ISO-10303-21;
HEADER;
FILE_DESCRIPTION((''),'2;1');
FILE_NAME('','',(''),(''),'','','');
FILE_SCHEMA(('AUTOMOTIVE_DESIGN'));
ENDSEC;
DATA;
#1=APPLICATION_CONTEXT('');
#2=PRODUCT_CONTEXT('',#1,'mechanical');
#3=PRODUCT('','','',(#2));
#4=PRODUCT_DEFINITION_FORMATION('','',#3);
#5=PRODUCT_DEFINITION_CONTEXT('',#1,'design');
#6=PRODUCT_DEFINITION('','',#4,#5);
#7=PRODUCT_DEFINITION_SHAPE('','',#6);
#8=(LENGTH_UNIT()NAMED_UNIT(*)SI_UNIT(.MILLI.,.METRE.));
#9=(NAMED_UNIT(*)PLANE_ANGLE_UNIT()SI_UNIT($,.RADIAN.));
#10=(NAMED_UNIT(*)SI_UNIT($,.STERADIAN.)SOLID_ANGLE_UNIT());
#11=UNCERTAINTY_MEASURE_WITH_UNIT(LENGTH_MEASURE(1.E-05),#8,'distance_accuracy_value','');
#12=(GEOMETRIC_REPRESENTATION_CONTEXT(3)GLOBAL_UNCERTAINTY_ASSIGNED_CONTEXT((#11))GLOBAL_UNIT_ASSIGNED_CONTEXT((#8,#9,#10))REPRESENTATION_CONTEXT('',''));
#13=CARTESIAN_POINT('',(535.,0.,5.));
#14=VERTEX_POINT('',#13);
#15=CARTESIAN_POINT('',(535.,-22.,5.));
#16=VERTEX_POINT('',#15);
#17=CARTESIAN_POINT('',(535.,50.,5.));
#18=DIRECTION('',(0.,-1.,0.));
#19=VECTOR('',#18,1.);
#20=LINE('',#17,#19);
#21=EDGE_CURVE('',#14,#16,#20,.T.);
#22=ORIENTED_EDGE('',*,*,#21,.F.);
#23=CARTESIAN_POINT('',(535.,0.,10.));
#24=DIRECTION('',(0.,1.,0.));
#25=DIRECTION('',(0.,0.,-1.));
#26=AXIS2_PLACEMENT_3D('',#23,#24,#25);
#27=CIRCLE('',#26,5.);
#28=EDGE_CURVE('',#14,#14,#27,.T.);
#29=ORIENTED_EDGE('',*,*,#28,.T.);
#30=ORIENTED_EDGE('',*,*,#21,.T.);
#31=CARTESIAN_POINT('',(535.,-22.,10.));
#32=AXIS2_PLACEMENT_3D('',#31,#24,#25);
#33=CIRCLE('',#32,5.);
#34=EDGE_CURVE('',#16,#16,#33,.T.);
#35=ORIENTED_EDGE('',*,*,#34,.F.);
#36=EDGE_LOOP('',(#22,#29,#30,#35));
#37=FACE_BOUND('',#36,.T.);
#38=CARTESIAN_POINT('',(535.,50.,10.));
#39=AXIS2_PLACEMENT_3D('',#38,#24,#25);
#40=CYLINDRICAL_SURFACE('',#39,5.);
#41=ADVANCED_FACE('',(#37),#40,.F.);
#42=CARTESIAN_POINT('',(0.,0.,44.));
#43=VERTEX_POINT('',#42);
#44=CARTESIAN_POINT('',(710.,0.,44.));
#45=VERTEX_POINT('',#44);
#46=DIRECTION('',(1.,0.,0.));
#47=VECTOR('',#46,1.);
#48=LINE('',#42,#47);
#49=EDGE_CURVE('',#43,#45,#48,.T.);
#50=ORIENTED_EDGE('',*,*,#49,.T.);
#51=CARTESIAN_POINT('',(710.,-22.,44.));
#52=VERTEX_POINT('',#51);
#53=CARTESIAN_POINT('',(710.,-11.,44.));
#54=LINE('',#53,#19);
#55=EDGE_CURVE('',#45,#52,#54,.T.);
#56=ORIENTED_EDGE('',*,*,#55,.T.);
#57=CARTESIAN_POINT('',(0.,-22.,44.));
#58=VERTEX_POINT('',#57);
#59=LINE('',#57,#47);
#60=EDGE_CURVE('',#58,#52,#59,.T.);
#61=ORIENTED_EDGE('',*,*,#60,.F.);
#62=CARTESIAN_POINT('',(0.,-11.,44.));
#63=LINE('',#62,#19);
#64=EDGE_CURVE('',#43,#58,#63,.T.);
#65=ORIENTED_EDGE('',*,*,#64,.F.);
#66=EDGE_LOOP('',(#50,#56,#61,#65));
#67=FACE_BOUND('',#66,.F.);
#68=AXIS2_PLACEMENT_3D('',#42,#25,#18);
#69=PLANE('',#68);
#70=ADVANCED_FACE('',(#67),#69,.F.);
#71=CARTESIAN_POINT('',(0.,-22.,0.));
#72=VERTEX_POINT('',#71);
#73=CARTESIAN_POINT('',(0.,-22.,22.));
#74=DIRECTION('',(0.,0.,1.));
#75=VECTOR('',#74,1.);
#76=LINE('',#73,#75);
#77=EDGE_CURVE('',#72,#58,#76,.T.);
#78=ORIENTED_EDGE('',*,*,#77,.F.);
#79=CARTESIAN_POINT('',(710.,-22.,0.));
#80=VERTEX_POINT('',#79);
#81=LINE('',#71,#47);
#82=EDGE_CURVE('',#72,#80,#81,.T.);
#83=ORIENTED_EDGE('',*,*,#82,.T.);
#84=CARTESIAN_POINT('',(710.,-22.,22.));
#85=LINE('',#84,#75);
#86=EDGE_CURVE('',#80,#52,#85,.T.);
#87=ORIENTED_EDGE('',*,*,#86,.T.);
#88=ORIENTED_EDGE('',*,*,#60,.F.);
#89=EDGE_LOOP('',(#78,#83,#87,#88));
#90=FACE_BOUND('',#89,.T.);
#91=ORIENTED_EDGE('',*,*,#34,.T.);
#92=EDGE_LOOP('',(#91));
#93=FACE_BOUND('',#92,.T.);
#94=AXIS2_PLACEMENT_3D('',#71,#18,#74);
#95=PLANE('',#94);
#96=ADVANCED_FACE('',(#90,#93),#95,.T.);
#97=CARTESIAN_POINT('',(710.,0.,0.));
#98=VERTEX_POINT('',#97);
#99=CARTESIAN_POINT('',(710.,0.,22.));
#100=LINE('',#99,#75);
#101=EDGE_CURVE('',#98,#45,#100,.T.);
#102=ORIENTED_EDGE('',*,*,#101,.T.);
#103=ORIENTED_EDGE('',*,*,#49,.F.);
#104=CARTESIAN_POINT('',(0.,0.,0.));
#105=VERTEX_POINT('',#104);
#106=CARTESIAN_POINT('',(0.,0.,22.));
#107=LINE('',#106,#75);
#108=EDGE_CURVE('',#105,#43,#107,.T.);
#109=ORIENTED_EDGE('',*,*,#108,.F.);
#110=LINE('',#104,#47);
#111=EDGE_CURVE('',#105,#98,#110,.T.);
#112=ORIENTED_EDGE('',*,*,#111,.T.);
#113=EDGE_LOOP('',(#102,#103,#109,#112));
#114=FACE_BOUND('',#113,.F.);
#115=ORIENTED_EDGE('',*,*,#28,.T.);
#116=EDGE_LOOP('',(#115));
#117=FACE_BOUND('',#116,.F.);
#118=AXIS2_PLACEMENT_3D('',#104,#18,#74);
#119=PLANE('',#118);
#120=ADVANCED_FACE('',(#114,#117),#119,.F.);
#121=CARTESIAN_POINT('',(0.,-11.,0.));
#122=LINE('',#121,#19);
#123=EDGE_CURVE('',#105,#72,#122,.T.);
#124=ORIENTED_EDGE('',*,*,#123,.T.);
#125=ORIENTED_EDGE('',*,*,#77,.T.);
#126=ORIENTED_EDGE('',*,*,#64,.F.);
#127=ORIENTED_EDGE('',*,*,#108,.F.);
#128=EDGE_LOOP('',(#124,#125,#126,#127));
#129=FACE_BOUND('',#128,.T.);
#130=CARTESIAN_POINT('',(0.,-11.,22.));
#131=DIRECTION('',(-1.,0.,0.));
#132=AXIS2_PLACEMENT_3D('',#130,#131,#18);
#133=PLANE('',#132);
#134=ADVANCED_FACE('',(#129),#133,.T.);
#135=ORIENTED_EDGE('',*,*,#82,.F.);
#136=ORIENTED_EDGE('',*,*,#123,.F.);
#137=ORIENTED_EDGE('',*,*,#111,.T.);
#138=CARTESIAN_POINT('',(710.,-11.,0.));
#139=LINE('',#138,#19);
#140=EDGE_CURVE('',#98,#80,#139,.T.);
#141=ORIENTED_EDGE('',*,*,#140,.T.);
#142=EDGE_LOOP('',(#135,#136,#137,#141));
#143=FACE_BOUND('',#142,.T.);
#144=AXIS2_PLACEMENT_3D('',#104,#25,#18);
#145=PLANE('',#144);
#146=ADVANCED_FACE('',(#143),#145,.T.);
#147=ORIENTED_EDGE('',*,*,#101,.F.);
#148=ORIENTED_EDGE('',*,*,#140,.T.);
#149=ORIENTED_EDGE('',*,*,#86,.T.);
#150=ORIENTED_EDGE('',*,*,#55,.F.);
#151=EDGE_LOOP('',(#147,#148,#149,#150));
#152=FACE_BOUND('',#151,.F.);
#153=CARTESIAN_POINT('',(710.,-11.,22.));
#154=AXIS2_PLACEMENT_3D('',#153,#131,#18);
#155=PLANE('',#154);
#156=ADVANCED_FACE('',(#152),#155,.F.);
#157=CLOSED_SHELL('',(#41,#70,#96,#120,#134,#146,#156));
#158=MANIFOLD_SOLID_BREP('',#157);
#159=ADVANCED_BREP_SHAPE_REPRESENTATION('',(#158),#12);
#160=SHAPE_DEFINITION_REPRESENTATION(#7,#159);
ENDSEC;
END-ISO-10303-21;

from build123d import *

# Parameters (mm, degrees)
CYLINDER_R           = 5
CYLINDER_DEPTH       = 100
CYLINDER_PITCH_ANGLE = 90
SKETCH_W             = 22
SKETCH_H             = 44
PAD_DEPTH            = 710
CUT_PLACEMENT_ANGLE  = -90


with BuildPart() as cylinder:
    # Cylinder → Cylinder (new body)
    with BuildSketch(Plane.XY):
        Circle(CYLINDER_R)
    extrude(amount=CYLINDER_DEPTH)


with BuildPart() as cylinder_1:
    # Cylinder pitch: moved
    add(cylinder.part.rotate(Axis((0, 0, 0), (0, 1, 0)), CYLINDER_PITCH_ANGLE))


with BuildPart() as cylinder_2:
    # Cylinder placement: moved
    add(cylinder_1.part.moved(Location((-50, 535, 10))))


with BuildPart() as cut:
    # Sketch → Pad (new body)
    with BuildSketch(Plane.XZ):
        with Locations((11, 22)):
            Rectangle(SKETCH_W, SKETCH_H)
    extrude(amount=-PAD_DEPTH)

    # Cut: cut Cylinder
    add(cylinder_2.part, mode=Mode.SUBTRACT)


with BuildPart() as cut_1:
    # Cut placement: moved
    add(cut.part.rotate(Axis((0, 0, 0), (0, 0, 1)), CUT_PLACEMENT_ANGLE))


solid = cut_1.part
